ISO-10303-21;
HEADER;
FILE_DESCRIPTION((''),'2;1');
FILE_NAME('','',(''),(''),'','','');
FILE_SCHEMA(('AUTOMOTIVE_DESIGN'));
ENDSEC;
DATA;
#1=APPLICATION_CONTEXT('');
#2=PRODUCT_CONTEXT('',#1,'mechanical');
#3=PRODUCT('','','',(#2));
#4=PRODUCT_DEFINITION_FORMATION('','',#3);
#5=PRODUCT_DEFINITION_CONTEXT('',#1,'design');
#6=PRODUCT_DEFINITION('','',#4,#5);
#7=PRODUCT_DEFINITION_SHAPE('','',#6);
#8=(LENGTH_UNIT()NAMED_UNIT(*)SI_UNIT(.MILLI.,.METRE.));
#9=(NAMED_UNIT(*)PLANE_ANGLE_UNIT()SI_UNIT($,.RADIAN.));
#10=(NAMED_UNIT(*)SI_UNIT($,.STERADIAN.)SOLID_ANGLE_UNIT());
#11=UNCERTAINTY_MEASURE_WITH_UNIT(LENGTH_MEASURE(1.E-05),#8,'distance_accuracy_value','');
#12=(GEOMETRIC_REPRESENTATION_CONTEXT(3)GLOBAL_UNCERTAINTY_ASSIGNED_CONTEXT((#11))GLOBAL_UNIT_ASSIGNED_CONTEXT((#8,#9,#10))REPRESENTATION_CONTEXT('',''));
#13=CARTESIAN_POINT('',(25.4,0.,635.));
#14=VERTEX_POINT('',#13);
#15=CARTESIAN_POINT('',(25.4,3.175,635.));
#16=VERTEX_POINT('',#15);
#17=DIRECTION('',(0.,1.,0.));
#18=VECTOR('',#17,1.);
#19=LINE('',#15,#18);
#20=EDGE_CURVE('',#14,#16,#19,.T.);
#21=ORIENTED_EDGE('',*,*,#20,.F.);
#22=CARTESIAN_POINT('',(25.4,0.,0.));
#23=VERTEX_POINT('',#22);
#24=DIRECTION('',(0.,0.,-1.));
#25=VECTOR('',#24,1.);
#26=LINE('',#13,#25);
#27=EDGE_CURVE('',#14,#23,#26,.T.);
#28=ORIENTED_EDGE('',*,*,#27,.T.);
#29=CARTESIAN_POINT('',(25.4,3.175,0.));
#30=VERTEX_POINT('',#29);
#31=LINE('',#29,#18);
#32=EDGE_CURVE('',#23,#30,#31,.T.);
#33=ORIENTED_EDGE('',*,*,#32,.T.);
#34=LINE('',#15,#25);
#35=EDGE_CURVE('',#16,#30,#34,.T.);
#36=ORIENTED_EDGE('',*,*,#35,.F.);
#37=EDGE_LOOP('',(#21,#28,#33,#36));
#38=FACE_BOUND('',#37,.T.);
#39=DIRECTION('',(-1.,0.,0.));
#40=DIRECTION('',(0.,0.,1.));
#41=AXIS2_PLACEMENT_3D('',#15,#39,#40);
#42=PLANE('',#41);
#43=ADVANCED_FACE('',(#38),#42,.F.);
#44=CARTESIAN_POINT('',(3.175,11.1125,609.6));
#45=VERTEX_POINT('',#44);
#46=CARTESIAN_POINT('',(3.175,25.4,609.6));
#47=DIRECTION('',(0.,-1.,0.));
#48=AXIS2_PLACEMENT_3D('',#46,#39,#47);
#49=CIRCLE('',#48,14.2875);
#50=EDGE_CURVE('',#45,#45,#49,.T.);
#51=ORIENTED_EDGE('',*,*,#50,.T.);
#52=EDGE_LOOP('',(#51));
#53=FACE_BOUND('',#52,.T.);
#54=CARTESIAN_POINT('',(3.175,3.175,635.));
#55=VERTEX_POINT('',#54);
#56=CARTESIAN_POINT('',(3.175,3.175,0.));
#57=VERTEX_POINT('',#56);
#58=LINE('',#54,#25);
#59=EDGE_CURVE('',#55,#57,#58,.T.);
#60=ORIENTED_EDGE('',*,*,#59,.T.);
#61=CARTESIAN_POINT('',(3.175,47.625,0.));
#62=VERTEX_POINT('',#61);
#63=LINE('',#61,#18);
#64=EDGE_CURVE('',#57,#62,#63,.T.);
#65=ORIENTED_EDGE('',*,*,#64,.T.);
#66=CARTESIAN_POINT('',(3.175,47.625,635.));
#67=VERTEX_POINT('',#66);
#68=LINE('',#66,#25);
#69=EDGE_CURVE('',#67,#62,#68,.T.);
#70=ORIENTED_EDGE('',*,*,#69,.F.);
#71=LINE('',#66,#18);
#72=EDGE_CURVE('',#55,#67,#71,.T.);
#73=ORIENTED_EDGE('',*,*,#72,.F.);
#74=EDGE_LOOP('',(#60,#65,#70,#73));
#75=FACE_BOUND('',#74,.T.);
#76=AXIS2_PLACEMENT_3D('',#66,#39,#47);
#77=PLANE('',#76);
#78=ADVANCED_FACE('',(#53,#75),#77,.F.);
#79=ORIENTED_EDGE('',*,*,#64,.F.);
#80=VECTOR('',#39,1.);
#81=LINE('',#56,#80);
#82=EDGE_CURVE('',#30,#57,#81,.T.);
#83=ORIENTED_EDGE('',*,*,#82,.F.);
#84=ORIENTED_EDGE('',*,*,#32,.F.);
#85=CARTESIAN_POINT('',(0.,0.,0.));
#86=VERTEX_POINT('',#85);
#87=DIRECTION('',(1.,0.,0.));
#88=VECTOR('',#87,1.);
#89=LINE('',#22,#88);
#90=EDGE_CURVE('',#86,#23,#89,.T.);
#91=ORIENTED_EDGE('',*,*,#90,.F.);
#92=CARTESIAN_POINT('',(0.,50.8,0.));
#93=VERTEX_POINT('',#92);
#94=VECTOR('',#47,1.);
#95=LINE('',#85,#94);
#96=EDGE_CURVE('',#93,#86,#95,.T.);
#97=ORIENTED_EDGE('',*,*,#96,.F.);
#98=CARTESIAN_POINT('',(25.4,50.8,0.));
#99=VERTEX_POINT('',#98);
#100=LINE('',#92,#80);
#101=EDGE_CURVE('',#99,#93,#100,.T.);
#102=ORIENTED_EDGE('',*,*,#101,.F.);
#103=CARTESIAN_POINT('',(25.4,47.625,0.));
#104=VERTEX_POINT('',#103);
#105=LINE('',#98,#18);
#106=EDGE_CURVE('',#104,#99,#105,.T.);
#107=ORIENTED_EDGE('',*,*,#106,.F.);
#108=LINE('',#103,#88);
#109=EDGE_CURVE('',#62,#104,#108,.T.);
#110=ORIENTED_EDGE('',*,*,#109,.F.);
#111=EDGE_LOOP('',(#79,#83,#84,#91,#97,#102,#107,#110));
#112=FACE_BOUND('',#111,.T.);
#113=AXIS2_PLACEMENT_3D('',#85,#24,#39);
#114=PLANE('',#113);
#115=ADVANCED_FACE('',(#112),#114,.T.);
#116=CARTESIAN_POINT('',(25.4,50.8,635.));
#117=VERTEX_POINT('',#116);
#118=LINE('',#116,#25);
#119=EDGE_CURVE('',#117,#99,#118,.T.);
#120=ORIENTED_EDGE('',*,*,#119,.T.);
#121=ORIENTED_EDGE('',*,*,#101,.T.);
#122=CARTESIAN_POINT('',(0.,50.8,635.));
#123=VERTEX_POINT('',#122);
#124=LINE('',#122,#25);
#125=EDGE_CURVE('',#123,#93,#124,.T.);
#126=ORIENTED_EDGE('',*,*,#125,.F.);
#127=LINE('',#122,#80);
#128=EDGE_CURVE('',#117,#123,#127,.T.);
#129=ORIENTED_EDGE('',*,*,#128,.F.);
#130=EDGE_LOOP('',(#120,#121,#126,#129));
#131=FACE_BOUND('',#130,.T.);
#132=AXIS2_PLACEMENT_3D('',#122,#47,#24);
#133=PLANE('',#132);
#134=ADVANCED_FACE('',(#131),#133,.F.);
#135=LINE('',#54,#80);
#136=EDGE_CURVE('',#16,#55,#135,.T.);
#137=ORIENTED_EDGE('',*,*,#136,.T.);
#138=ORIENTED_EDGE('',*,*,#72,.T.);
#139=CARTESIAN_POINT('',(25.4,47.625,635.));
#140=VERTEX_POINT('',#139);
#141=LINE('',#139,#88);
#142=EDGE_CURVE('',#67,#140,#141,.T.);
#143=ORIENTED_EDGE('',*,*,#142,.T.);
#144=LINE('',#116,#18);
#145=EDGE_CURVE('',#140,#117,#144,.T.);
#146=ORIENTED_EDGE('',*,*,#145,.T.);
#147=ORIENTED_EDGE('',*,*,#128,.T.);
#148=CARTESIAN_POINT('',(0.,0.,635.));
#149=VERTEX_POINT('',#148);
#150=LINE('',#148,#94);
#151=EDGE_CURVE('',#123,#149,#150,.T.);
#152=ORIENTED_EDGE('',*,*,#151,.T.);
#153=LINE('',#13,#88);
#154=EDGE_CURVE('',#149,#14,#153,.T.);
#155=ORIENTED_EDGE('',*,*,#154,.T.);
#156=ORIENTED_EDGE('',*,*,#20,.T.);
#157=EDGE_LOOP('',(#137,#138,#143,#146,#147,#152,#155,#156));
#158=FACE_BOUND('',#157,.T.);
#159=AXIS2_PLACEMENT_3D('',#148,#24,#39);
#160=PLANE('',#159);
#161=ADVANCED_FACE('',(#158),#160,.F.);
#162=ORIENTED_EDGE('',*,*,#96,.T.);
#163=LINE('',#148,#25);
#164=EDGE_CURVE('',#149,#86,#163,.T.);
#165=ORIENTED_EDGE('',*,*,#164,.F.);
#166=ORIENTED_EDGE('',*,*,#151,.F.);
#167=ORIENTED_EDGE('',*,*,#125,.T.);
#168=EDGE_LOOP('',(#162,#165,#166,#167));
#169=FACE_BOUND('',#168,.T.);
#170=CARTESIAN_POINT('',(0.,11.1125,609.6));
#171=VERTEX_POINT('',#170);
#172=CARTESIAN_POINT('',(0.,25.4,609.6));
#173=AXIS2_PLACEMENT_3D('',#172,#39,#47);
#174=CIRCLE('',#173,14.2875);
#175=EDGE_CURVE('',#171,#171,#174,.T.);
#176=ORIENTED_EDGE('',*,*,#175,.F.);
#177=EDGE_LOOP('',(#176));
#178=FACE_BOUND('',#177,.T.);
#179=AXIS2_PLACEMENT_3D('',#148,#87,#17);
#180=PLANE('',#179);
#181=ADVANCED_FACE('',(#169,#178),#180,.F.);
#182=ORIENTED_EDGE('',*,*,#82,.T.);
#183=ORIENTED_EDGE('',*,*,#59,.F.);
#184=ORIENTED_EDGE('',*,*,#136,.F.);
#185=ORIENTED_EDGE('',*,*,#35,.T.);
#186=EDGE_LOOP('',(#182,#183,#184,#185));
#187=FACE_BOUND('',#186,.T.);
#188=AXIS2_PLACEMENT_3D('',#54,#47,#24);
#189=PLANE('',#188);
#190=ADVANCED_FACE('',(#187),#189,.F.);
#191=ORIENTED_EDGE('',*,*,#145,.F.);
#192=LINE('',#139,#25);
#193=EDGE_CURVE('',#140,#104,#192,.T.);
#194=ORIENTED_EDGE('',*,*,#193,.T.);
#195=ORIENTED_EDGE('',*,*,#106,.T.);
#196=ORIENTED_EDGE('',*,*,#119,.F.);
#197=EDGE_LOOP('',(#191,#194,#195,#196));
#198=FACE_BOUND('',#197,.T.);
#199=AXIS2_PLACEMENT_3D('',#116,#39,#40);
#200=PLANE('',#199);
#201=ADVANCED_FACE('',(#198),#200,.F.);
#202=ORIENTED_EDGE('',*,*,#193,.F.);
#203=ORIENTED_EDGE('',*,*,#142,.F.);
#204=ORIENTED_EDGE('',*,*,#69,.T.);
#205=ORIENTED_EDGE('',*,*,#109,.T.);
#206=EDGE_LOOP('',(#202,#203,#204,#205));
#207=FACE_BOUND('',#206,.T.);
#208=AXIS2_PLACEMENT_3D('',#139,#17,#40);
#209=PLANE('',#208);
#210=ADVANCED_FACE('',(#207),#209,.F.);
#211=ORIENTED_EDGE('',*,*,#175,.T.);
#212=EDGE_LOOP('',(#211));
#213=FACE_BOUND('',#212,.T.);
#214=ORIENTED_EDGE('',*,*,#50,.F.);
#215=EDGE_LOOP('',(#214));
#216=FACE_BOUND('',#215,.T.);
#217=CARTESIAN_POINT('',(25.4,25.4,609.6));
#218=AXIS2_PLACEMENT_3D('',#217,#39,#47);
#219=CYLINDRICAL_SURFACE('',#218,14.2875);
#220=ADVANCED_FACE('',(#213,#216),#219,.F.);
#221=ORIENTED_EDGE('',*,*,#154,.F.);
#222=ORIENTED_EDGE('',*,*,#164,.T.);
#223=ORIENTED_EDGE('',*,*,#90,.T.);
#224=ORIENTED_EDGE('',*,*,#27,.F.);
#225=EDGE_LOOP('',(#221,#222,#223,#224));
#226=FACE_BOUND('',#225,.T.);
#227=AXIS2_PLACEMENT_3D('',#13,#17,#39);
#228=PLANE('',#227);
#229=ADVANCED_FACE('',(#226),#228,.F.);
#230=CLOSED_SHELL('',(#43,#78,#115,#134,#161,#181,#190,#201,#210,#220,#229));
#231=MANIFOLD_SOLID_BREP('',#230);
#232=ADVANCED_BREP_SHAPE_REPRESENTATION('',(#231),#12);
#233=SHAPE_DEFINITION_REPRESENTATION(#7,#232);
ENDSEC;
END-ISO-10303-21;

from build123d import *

# Parameters (mm, degrees)
BOSS_EXTRUDE1_DEPTH = 635
SKETCH2_R           = 14.2875
CUT_EXTRUDE1_DEPTH  = 26.4


with BuildPart() as part:
    # Sketch1 → Boss-Extrude1 (new body)
    with BuildSketch(Plane.XY):
        Polygon((0, 0), (0, 50.8), (25.4, 50.8), (25.4, 47.625), (3.175, 47.625), (3.175, 3.175), (25.4, 3.175), (25.4, 0), align=None)
    extrude(amount=BOSS_EXTRUDE1_DEPTH)

    # Sketch2 → Cut-Extrude1 (cut, through all)
    with BuildSketch(Plane.ZY):
        with Locations((609.6, 25.4)):
            Circle(SKETCH2_R)
    extrude(amount=-CUT_EXTRUDE1_DEPTH, mode=Mode.SUBTRACT)


solid = part.part
